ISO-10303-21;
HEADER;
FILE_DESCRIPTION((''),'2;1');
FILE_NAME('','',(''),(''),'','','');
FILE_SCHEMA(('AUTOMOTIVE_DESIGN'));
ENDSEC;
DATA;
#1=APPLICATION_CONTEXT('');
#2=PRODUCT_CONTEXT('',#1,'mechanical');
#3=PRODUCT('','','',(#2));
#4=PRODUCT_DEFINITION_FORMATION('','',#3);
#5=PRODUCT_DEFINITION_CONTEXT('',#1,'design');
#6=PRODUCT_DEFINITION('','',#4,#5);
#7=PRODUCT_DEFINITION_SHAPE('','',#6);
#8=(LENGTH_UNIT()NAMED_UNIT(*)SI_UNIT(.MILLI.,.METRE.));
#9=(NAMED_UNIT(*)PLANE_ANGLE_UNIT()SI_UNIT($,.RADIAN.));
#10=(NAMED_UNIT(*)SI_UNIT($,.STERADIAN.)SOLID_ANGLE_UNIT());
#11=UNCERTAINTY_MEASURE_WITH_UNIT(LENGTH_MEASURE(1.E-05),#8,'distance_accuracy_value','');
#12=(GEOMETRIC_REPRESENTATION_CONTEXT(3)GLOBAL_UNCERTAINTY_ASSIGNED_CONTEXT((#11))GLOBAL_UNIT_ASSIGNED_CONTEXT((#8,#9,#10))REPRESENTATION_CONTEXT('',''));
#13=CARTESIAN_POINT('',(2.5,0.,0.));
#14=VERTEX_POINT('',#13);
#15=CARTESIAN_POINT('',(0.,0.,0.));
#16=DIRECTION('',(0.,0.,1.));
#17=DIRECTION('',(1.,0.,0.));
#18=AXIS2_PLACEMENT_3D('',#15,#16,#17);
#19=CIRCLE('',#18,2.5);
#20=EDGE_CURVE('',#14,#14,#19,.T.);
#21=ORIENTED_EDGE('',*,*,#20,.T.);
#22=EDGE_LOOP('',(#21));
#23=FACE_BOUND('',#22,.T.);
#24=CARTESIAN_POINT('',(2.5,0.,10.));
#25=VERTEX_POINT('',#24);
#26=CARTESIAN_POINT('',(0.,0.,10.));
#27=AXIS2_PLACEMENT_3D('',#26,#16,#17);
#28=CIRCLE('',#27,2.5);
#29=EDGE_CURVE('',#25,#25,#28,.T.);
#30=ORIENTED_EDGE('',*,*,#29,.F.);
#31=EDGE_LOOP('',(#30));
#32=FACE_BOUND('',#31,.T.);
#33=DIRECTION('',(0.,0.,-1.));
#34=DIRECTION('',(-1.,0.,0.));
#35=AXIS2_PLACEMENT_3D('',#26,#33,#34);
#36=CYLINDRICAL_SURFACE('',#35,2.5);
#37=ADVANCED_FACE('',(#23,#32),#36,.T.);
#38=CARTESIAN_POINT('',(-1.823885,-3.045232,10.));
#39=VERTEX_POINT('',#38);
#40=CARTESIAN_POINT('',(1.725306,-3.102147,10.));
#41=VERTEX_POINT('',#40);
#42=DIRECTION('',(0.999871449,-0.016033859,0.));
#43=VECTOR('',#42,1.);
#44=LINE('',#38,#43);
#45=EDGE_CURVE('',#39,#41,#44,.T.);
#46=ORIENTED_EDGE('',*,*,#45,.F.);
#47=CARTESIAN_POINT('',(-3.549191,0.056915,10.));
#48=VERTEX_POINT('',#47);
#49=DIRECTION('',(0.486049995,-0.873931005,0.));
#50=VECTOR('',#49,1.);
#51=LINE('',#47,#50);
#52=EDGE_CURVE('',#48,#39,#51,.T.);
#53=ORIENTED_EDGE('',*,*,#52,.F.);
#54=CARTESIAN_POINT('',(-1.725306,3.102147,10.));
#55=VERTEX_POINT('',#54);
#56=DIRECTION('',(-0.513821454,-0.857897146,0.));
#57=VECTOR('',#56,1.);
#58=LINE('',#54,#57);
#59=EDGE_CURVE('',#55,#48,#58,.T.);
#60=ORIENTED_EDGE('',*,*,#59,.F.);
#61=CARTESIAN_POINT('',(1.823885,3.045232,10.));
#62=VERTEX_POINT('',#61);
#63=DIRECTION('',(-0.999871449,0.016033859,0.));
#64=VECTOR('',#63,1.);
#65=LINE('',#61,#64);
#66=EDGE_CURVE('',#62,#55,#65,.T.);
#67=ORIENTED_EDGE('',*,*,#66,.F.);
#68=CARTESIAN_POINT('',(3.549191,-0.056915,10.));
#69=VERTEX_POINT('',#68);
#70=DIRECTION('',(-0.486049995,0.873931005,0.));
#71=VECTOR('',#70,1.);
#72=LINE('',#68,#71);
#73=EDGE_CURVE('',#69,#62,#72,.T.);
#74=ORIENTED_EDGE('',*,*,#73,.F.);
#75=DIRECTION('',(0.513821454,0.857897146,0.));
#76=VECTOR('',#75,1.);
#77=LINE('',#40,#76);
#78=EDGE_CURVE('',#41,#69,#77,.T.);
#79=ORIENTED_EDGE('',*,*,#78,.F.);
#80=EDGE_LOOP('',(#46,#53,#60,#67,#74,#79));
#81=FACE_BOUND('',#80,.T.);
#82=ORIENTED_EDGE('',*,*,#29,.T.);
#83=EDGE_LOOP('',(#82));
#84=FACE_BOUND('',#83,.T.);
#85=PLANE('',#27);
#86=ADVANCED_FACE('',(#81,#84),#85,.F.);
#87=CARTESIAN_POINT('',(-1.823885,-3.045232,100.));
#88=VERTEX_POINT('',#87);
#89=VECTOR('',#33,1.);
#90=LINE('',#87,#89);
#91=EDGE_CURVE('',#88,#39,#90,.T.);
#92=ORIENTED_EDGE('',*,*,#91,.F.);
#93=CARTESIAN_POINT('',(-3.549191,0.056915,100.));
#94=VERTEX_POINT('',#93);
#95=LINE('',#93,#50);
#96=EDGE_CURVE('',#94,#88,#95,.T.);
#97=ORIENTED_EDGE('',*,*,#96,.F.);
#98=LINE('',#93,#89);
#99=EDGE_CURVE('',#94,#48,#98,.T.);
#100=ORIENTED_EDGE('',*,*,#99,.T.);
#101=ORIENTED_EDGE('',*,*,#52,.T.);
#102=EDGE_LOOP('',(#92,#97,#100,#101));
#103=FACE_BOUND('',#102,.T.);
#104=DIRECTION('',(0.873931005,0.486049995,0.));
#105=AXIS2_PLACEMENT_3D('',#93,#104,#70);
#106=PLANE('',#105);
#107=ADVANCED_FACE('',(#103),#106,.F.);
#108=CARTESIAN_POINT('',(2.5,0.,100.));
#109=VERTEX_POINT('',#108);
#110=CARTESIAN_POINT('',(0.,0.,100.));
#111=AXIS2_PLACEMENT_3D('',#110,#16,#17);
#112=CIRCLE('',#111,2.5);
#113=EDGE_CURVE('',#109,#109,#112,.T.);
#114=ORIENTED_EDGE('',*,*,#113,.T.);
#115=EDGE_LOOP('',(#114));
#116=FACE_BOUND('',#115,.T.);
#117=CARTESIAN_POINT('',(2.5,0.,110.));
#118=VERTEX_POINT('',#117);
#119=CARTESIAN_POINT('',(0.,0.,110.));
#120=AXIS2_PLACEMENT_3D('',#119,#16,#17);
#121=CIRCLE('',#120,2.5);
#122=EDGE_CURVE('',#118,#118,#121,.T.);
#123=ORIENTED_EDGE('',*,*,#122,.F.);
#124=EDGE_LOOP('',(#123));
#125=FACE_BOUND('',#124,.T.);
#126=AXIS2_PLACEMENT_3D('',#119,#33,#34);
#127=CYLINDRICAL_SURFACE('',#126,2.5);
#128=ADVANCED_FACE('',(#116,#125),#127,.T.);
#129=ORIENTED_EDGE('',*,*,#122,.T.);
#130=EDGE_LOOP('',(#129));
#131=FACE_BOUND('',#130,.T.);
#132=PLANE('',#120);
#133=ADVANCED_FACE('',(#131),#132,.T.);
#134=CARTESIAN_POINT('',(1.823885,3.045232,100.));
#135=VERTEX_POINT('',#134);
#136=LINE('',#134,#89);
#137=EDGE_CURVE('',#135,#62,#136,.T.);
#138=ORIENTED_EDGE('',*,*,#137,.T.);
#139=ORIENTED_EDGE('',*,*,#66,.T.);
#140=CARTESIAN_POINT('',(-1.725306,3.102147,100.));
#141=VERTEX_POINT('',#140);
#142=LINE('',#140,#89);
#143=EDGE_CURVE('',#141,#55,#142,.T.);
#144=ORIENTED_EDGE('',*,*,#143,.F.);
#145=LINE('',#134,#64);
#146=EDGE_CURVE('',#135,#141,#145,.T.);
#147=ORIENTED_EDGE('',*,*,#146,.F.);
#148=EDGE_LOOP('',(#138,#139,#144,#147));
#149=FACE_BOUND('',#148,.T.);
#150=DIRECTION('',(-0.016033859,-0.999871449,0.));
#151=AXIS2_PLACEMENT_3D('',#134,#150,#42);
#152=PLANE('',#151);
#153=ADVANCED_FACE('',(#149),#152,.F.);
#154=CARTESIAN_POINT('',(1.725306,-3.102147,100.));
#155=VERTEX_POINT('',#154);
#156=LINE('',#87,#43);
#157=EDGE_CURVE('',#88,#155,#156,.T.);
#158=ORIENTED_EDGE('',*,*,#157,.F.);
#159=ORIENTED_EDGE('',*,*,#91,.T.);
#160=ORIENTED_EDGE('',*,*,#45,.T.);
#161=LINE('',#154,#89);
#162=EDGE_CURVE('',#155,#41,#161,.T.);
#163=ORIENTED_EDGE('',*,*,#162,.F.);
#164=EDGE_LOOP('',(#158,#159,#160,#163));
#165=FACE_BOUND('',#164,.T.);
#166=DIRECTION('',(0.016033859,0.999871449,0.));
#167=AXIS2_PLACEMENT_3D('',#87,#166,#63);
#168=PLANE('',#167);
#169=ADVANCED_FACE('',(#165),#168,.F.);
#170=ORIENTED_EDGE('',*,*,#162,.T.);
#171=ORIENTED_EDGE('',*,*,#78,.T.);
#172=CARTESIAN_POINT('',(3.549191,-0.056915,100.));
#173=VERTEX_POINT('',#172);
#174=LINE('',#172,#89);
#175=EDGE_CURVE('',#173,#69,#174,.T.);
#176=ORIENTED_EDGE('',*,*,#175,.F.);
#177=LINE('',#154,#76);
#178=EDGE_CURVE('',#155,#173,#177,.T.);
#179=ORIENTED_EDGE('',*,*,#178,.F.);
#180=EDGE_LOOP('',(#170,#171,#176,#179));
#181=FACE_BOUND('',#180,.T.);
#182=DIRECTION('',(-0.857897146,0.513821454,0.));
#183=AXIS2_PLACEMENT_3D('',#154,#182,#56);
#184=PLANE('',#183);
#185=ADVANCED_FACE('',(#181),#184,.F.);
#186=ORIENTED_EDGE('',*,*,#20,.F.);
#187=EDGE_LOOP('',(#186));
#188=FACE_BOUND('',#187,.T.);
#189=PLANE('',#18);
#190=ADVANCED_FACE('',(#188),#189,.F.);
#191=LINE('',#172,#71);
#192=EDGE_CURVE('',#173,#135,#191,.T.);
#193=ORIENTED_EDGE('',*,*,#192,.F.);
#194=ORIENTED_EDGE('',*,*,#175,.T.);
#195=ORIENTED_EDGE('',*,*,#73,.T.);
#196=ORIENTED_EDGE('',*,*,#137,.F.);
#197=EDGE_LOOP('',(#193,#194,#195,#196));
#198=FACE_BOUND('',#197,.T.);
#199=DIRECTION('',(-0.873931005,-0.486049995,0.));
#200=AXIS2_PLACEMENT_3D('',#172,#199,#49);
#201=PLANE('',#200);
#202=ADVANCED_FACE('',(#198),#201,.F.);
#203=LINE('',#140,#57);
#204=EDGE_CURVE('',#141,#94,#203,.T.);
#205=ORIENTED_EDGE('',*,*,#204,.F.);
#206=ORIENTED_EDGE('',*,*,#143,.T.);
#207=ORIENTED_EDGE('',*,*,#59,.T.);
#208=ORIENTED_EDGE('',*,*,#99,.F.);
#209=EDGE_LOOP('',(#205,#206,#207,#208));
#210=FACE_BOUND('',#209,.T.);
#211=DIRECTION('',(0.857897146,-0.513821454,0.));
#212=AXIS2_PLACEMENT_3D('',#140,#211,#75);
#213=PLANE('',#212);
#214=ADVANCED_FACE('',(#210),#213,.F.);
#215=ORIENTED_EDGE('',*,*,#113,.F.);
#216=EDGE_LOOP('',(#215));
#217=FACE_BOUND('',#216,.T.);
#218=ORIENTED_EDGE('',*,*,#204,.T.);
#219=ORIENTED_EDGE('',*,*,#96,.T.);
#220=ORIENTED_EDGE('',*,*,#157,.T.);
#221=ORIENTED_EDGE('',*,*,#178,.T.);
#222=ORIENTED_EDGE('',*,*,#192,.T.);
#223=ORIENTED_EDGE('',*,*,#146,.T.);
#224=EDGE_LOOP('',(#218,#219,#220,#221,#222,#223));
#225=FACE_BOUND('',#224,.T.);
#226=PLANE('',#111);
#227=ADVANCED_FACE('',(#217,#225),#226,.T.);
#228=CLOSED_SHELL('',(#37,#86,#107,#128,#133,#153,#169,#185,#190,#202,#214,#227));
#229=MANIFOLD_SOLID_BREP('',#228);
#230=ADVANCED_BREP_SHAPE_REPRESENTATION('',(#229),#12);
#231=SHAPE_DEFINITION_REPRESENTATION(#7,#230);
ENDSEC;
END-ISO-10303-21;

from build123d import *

# Parameters (mm, degrees)
SKETCH_1_R      = 2.5
EXTRUDE_1_DEPTH = 10
EXTRUDE_2_DEPTH = 90
SKETCH_3_R      = 2.5
EXTRUDE_3_DEPTH = 10


with BuildPart() as part:
    # 草图1 → 凸台-拉伸1 (new body)
    with BuildSketch(Plane.XY):
        Circle(SKETCH_1_R)
    extrude(amount=EXTRUDE_1_DEPTH)

    # 草图2 → 凸台-拉伸2 (add)
    with BuildSketch(Plane.XY.offset(10)):
        Polygon((3.549191068, -0.056914546), (1.823884976, 3.045232355), (-1.725306092, 3.1021469), (-3.549191068, 0.056914546), (-1.823884976, -3.045232355), (1.725306092, -3.1021469), align=None)
    extrude(amount=EXTRUDE_2_DEPTH)

    # 草图3 → 凸台-拉伸3 (add)
    with BuildSketch(Plane.XY.offset(100)):
        Circle(SKETCH_3_R)
    extrude(amount=EXTRUDE_3_DEPTH)


solid = part.part
